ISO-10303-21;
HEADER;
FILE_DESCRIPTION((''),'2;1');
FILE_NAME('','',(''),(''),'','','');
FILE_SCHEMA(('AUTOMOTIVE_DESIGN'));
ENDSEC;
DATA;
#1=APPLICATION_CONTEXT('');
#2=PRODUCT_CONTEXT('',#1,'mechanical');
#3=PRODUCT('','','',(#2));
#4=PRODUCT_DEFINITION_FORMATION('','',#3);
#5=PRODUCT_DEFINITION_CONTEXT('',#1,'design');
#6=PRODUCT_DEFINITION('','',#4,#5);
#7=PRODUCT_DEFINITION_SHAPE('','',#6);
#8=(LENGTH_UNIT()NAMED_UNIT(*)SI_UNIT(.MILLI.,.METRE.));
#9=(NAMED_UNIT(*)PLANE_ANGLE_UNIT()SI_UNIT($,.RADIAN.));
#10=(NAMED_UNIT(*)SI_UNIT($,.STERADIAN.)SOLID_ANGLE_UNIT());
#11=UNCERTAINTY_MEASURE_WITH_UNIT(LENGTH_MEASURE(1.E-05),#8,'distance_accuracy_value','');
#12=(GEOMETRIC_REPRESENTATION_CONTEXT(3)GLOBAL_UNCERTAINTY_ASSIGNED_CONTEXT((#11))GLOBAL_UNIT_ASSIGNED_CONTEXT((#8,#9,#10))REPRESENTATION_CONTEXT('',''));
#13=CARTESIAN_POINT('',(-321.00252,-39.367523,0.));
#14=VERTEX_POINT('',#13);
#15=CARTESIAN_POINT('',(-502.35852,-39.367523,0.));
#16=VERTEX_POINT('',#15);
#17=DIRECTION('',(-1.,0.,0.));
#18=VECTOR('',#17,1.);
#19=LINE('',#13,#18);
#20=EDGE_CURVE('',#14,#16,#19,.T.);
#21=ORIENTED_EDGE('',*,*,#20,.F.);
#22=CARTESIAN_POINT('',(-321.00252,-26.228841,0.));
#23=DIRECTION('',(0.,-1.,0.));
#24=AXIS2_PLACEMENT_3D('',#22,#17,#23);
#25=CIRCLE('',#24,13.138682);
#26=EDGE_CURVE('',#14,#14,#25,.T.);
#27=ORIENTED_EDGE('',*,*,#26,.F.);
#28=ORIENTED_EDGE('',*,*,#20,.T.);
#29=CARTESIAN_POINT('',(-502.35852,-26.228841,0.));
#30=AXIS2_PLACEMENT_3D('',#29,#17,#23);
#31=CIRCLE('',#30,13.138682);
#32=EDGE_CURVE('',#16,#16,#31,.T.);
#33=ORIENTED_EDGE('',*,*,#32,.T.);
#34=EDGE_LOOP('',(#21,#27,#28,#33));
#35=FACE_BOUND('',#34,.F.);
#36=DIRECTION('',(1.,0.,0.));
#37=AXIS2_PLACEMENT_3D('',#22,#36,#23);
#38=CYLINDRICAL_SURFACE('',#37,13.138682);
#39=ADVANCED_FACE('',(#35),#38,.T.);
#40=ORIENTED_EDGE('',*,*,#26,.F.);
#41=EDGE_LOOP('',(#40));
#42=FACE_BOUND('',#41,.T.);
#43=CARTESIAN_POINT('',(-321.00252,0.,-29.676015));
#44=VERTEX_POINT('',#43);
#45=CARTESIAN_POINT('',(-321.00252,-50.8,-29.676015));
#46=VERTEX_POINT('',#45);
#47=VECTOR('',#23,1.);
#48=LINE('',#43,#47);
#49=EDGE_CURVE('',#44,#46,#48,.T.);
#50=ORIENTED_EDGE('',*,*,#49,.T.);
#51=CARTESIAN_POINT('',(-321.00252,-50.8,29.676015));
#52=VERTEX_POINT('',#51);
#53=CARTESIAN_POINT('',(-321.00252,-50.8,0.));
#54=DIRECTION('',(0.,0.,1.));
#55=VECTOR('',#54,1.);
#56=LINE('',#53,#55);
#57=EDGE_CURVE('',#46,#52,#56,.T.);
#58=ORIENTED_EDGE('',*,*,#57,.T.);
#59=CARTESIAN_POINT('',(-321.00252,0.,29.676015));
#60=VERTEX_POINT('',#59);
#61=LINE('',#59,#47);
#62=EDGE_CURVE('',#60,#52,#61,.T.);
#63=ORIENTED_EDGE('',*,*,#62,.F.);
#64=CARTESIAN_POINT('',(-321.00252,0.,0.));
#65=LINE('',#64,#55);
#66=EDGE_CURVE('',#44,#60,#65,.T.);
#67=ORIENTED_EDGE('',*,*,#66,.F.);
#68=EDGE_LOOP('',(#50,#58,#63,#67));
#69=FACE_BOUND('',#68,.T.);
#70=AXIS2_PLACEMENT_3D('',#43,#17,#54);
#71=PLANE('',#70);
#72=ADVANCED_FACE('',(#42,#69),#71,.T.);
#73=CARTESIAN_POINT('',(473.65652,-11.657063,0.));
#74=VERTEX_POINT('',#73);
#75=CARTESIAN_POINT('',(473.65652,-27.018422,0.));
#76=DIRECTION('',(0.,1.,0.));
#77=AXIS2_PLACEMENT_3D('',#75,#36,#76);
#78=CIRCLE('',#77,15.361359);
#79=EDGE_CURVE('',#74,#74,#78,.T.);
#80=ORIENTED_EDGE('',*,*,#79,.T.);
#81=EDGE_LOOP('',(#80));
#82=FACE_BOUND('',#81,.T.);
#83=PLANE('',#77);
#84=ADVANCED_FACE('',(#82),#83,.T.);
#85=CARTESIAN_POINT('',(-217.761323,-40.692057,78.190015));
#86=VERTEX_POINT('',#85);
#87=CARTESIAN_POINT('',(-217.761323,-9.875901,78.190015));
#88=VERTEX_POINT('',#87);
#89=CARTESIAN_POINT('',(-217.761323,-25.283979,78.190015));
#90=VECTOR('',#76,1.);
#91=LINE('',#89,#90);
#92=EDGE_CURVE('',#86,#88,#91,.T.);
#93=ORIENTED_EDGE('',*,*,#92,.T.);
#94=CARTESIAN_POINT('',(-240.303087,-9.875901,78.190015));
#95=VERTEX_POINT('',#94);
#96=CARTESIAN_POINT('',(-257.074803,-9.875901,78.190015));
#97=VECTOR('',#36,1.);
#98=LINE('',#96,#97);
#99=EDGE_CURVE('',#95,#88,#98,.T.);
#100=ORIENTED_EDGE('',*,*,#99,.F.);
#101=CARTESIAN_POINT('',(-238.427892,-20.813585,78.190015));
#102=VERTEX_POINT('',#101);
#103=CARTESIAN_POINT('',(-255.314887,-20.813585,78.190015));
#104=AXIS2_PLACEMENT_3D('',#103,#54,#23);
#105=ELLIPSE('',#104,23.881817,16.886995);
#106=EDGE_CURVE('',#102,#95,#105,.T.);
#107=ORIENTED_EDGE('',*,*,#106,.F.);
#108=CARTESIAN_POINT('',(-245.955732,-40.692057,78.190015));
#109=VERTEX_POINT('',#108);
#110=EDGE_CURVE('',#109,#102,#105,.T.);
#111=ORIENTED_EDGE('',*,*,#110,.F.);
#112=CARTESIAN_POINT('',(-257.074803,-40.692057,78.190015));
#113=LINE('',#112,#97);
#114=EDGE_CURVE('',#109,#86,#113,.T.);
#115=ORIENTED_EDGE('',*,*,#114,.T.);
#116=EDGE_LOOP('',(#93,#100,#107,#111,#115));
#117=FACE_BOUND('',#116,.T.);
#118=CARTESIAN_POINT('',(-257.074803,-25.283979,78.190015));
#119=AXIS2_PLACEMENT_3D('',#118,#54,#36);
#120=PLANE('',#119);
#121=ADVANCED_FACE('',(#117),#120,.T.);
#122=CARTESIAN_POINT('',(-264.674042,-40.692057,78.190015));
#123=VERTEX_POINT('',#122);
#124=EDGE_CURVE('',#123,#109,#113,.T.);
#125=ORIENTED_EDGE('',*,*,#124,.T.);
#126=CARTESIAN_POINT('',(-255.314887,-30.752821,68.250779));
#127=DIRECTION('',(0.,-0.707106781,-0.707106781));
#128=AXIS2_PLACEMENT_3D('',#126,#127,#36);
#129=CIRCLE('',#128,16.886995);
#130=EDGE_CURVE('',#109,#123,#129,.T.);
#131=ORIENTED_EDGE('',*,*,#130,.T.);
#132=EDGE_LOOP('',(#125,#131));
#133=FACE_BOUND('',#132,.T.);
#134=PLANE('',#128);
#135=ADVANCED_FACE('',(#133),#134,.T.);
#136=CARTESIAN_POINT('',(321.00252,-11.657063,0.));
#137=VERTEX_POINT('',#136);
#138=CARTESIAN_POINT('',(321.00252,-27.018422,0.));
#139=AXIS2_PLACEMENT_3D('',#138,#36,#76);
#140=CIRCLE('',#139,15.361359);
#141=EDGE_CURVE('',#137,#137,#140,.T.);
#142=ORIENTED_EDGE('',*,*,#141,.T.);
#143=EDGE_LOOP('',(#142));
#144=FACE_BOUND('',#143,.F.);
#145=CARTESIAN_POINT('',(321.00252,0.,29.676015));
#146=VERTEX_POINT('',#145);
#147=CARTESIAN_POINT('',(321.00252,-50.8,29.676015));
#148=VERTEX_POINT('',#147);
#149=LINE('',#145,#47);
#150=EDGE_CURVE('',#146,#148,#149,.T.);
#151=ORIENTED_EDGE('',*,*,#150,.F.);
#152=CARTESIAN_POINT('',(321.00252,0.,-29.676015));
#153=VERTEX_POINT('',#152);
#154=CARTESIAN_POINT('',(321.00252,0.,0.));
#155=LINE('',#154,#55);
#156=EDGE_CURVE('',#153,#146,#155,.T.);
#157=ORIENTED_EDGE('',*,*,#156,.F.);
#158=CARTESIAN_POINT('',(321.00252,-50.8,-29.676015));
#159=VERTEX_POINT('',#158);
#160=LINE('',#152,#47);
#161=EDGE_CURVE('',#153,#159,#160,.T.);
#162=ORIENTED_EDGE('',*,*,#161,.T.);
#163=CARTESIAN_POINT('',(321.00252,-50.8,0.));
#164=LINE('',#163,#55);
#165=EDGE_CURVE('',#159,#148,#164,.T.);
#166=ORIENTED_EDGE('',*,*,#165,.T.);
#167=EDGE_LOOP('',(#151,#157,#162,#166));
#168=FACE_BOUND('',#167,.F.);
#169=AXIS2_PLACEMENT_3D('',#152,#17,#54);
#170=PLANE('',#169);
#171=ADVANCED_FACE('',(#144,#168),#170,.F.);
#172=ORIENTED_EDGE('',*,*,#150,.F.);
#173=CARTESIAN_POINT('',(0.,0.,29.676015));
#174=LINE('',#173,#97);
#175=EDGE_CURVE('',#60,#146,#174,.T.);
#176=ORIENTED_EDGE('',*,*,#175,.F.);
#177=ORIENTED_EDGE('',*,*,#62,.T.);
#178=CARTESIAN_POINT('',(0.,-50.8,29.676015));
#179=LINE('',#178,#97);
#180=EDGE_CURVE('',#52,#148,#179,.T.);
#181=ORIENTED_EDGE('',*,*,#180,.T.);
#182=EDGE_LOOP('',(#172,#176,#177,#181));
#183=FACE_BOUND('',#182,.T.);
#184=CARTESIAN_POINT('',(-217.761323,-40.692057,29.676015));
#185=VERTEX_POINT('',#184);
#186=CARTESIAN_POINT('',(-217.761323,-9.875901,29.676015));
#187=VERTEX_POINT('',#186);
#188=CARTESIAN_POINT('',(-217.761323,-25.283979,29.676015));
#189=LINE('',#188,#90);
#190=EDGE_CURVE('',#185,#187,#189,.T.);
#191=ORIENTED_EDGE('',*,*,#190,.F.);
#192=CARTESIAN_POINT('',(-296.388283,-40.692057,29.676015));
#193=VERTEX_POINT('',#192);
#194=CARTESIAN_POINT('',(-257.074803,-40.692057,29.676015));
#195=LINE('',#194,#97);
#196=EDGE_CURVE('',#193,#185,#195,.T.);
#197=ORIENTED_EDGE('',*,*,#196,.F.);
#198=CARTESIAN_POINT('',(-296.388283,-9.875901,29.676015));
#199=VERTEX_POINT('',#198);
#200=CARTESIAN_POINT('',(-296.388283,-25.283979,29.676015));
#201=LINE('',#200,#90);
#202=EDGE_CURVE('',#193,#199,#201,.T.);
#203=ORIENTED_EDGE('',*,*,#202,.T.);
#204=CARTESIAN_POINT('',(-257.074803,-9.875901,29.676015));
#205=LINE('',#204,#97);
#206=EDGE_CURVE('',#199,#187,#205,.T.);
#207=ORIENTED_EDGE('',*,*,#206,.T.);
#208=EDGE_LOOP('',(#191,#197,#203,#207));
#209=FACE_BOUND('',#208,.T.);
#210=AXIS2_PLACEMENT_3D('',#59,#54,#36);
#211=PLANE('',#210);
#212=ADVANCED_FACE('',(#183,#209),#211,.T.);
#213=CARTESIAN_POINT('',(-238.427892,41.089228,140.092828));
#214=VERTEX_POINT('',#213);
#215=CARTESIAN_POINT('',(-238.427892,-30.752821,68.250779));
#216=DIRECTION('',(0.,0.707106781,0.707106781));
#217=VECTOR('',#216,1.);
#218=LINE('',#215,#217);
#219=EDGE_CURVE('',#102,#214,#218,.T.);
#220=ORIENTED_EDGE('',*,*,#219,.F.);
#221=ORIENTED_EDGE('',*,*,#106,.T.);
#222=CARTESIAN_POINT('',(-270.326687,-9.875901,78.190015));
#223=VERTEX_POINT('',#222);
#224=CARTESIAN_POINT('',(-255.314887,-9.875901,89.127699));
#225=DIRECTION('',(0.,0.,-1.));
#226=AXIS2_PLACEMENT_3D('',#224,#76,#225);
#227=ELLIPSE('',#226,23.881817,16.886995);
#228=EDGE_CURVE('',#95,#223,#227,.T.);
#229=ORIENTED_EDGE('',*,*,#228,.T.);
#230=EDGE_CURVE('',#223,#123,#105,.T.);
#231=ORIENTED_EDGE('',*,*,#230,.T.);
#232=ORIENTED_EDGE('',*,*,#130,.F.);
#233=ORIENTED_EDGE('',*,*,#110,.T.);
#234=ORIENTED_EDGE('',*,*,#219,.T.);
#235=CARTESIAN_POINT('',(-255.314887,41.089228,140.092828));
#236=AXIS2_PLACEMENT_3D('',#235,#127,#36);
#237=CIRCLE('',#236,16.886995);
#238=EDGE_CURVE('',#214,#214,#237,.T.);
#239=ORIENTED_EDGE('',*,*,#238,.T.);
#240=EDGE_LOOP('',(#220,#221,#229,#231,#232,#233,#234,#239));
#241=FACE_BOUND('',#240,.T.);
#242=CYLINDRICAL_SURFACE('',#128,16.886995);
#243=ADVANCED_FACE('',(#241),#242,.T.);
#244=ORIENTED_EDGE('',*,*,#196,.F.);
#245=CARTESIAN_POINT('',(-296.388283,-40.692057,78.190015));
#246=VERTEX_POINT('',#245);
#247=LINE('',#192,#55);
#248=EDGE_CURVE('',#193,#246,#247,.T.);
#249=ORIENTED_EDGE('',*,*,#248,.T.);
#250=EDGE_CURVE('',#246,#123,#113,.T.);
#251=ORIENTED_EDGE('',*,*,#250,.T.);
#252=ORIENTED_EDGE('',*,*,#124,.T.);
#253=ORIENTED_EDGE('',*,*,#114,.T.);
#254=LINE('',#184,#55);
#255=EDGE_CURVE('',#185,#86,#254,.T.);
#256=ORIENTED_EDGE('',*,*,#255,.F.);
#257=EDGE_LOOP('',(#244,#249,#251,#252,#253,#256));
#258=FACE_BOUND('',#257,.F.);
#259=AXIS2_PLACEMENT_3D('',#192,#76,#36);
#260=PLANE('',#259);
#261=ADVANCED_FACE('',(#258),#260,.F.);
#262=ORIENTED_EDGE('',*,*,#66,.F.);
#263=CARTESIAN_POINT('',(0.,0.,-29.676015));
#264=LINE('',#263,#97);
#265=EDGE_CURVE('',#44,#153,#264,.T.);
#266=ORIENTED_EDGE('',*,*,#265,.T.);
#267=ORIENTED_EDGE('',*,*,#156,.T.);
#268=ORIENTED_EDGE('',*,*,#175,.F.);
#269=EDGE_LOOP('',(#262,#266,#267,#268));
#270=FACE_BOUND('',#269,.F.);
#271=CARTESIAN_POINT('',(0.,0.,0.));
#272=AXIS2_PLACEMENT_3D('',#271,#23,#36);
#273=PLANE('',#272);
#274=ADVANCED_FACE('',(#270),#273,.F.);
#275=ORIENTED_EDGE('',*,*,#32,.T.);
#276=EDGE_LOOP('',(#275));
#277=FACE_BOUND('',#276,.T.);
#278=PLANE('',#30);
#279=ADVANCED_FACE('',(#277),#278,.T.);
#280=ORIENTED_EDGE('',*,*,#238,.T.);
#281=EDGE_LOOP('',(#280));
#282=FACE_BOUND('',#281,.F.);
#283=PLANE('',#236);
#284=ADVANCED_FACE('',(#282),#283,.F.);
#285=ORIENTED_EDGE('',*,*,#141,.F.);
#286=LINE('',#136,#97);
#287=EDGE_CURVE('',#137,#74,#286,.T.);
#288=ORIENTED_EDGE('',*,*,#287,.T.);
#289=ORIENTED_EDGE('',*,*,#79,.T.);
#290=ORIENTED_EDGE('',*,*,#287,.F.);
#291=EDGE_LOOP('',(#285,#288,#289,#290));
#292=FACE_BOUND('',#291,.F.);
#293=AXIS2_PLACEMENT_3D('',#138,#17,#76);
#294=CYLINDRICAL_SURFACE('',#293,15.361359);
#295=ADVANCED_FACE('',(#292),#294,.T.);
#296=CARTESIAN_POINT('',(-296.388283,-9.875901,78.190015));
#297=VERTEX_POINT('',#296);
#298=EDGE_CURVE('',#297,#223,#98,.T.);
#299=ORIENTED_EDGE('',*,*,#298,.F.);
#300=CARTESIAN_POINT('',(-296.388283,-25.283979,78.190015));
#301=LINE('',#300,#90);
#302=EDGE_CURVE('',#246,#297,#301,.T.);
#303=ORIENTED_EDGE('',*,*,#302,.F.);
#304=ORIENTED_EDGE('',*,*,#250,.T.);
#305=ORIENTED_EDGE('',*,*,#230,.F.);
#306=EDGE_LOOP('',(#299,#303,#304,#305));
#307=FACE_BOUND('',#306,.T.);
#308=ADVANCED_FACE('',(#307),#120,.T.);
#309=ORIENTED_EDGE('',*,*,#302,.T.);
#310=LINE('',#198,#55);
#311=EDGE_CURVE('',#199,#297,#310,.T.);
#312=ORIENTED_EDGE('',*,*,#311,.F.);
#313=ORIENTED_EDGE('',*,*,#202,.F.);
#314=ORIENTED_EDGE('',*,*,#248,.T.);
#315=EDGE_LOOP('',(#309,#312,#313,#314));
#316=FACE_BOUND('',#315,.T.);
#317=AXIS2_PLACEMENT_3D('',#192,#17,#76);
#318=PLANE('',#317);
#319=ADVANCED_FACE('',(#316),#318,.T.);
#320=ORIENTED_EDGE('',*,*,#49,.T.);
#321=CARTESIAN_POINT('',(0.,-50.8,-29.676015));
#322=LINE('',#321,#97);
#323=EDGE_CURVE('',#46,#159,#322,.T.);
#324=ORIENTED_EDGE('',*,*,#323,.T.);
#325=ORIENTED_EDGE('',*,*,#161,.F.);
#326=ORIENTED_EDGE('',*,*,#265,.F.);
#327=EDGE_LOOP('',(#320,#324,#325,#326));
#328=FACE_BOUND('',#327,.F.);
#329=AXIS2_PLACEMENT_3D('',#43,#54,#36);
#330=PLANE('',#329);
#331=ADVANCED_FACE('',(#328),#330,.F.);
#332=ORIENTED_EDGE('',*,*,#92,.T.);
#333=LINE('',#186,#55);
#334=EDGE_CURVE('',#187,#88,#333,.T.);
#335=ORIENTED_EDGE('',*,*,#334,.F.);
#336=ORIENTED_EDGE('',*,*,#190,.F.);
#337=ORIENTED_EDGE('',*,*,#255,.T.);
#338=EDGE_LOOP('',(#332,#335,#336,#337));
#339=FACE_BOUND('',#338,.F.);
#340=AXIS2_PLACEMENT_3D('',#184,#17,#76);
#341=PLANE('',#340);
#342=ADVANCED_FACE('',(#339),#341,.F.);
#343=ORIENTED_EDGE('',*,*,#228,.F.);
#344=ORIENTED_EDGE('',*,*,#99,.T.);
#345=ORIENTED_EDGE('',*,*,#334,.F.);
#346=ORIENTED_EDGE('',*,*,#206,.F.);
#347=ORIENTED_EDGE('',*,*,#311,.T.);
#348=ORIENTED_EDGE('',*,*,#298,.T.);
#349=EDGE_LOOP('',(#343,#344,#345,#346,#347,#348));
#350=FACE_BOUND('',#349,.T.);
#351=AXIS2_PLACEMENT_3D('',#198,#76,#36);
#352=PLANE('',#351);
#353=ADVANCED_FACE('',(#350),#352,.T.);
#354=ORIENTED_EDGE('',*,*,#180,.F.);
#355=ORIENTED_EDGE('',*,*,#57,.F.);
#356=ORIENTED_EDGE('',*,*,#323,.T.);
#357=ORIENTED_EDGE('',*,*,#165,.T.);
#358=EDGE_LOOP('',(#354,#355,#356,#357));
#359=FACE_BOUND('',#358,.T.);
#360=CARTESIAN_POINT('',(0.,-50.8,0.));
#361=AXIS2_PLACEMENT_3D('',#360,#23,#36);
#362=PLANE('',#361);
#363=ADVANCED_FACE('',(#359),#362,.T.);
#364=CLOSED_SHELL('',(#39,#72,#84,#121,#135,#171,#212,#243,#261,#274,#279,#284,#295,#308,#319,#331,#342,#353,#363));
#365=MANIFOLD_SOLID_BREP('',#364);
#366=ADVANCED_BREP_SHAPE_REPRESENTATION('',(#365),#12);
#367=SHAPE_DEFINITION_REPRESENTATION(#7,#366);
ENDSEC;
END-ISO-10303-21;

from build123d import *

# Parameters (mm, degrees)
F0_W      = 642.00504
F0_H      = 59.35203
F1_DEPTH  = 50.8
F2_R      = 13.138682
F3_DEPTH  = 181.356
F4_R      = 15.361359
F5_DEPTH  = 152.654
F6_W      = 78.62696
F6_H      = 30.816156
F7_DEPTH  = 48.514
F9_R      = 16.886995
F10_DEPTH = 101.6


with BuildPart() as f1:
    # F0 (on Front) → F1 (new body)
    with BuildSketch(Plane.XZ):
        Rectangle(F0_W, F0_H)
    extrude(amount=F1_DEPTH)

    # F2 (on face) → F3 (join)
    with BuildSketch(Plane(origin=(-321.00252, 0, 0), x_dir=(0, -1, 0), z_dir=(-1, 0, 0))):
        with Locations((26.228841, 0)):
            Circle(F2_R)
    extrude(amount=F3_DEPTH)

    # F4 (on face) → F5 (join)
    with BuildSketch(Plane.YZ.offset(321.00252)):
        with Locations((-27.018422, 0)):
            Circle(F4_R)
    extrude(amount=F5_DEPTH)

    # F6 (on face) → F7 (join)
    with BuildSketch(Plane.XY.offset(29.676015)):
        with Locations((-257.074803, -25.283979)):
            Rectangle(F6_W, F6_H)
    extrude(amount=F7_DEPTH)

    # F9 (on face) → F10 (join)
    with BuildSketch(Plane(origin=(0, 18.748979, 18.748979), x_dir=(1, 0, 0), z_dir=(0, -0.707107, -0.707107))):
        with Locations((-255.314887, 70.006117)):
            Circle(F9_R)
    extrude(amount=-F10_DEPTH)


solid = f1.part
